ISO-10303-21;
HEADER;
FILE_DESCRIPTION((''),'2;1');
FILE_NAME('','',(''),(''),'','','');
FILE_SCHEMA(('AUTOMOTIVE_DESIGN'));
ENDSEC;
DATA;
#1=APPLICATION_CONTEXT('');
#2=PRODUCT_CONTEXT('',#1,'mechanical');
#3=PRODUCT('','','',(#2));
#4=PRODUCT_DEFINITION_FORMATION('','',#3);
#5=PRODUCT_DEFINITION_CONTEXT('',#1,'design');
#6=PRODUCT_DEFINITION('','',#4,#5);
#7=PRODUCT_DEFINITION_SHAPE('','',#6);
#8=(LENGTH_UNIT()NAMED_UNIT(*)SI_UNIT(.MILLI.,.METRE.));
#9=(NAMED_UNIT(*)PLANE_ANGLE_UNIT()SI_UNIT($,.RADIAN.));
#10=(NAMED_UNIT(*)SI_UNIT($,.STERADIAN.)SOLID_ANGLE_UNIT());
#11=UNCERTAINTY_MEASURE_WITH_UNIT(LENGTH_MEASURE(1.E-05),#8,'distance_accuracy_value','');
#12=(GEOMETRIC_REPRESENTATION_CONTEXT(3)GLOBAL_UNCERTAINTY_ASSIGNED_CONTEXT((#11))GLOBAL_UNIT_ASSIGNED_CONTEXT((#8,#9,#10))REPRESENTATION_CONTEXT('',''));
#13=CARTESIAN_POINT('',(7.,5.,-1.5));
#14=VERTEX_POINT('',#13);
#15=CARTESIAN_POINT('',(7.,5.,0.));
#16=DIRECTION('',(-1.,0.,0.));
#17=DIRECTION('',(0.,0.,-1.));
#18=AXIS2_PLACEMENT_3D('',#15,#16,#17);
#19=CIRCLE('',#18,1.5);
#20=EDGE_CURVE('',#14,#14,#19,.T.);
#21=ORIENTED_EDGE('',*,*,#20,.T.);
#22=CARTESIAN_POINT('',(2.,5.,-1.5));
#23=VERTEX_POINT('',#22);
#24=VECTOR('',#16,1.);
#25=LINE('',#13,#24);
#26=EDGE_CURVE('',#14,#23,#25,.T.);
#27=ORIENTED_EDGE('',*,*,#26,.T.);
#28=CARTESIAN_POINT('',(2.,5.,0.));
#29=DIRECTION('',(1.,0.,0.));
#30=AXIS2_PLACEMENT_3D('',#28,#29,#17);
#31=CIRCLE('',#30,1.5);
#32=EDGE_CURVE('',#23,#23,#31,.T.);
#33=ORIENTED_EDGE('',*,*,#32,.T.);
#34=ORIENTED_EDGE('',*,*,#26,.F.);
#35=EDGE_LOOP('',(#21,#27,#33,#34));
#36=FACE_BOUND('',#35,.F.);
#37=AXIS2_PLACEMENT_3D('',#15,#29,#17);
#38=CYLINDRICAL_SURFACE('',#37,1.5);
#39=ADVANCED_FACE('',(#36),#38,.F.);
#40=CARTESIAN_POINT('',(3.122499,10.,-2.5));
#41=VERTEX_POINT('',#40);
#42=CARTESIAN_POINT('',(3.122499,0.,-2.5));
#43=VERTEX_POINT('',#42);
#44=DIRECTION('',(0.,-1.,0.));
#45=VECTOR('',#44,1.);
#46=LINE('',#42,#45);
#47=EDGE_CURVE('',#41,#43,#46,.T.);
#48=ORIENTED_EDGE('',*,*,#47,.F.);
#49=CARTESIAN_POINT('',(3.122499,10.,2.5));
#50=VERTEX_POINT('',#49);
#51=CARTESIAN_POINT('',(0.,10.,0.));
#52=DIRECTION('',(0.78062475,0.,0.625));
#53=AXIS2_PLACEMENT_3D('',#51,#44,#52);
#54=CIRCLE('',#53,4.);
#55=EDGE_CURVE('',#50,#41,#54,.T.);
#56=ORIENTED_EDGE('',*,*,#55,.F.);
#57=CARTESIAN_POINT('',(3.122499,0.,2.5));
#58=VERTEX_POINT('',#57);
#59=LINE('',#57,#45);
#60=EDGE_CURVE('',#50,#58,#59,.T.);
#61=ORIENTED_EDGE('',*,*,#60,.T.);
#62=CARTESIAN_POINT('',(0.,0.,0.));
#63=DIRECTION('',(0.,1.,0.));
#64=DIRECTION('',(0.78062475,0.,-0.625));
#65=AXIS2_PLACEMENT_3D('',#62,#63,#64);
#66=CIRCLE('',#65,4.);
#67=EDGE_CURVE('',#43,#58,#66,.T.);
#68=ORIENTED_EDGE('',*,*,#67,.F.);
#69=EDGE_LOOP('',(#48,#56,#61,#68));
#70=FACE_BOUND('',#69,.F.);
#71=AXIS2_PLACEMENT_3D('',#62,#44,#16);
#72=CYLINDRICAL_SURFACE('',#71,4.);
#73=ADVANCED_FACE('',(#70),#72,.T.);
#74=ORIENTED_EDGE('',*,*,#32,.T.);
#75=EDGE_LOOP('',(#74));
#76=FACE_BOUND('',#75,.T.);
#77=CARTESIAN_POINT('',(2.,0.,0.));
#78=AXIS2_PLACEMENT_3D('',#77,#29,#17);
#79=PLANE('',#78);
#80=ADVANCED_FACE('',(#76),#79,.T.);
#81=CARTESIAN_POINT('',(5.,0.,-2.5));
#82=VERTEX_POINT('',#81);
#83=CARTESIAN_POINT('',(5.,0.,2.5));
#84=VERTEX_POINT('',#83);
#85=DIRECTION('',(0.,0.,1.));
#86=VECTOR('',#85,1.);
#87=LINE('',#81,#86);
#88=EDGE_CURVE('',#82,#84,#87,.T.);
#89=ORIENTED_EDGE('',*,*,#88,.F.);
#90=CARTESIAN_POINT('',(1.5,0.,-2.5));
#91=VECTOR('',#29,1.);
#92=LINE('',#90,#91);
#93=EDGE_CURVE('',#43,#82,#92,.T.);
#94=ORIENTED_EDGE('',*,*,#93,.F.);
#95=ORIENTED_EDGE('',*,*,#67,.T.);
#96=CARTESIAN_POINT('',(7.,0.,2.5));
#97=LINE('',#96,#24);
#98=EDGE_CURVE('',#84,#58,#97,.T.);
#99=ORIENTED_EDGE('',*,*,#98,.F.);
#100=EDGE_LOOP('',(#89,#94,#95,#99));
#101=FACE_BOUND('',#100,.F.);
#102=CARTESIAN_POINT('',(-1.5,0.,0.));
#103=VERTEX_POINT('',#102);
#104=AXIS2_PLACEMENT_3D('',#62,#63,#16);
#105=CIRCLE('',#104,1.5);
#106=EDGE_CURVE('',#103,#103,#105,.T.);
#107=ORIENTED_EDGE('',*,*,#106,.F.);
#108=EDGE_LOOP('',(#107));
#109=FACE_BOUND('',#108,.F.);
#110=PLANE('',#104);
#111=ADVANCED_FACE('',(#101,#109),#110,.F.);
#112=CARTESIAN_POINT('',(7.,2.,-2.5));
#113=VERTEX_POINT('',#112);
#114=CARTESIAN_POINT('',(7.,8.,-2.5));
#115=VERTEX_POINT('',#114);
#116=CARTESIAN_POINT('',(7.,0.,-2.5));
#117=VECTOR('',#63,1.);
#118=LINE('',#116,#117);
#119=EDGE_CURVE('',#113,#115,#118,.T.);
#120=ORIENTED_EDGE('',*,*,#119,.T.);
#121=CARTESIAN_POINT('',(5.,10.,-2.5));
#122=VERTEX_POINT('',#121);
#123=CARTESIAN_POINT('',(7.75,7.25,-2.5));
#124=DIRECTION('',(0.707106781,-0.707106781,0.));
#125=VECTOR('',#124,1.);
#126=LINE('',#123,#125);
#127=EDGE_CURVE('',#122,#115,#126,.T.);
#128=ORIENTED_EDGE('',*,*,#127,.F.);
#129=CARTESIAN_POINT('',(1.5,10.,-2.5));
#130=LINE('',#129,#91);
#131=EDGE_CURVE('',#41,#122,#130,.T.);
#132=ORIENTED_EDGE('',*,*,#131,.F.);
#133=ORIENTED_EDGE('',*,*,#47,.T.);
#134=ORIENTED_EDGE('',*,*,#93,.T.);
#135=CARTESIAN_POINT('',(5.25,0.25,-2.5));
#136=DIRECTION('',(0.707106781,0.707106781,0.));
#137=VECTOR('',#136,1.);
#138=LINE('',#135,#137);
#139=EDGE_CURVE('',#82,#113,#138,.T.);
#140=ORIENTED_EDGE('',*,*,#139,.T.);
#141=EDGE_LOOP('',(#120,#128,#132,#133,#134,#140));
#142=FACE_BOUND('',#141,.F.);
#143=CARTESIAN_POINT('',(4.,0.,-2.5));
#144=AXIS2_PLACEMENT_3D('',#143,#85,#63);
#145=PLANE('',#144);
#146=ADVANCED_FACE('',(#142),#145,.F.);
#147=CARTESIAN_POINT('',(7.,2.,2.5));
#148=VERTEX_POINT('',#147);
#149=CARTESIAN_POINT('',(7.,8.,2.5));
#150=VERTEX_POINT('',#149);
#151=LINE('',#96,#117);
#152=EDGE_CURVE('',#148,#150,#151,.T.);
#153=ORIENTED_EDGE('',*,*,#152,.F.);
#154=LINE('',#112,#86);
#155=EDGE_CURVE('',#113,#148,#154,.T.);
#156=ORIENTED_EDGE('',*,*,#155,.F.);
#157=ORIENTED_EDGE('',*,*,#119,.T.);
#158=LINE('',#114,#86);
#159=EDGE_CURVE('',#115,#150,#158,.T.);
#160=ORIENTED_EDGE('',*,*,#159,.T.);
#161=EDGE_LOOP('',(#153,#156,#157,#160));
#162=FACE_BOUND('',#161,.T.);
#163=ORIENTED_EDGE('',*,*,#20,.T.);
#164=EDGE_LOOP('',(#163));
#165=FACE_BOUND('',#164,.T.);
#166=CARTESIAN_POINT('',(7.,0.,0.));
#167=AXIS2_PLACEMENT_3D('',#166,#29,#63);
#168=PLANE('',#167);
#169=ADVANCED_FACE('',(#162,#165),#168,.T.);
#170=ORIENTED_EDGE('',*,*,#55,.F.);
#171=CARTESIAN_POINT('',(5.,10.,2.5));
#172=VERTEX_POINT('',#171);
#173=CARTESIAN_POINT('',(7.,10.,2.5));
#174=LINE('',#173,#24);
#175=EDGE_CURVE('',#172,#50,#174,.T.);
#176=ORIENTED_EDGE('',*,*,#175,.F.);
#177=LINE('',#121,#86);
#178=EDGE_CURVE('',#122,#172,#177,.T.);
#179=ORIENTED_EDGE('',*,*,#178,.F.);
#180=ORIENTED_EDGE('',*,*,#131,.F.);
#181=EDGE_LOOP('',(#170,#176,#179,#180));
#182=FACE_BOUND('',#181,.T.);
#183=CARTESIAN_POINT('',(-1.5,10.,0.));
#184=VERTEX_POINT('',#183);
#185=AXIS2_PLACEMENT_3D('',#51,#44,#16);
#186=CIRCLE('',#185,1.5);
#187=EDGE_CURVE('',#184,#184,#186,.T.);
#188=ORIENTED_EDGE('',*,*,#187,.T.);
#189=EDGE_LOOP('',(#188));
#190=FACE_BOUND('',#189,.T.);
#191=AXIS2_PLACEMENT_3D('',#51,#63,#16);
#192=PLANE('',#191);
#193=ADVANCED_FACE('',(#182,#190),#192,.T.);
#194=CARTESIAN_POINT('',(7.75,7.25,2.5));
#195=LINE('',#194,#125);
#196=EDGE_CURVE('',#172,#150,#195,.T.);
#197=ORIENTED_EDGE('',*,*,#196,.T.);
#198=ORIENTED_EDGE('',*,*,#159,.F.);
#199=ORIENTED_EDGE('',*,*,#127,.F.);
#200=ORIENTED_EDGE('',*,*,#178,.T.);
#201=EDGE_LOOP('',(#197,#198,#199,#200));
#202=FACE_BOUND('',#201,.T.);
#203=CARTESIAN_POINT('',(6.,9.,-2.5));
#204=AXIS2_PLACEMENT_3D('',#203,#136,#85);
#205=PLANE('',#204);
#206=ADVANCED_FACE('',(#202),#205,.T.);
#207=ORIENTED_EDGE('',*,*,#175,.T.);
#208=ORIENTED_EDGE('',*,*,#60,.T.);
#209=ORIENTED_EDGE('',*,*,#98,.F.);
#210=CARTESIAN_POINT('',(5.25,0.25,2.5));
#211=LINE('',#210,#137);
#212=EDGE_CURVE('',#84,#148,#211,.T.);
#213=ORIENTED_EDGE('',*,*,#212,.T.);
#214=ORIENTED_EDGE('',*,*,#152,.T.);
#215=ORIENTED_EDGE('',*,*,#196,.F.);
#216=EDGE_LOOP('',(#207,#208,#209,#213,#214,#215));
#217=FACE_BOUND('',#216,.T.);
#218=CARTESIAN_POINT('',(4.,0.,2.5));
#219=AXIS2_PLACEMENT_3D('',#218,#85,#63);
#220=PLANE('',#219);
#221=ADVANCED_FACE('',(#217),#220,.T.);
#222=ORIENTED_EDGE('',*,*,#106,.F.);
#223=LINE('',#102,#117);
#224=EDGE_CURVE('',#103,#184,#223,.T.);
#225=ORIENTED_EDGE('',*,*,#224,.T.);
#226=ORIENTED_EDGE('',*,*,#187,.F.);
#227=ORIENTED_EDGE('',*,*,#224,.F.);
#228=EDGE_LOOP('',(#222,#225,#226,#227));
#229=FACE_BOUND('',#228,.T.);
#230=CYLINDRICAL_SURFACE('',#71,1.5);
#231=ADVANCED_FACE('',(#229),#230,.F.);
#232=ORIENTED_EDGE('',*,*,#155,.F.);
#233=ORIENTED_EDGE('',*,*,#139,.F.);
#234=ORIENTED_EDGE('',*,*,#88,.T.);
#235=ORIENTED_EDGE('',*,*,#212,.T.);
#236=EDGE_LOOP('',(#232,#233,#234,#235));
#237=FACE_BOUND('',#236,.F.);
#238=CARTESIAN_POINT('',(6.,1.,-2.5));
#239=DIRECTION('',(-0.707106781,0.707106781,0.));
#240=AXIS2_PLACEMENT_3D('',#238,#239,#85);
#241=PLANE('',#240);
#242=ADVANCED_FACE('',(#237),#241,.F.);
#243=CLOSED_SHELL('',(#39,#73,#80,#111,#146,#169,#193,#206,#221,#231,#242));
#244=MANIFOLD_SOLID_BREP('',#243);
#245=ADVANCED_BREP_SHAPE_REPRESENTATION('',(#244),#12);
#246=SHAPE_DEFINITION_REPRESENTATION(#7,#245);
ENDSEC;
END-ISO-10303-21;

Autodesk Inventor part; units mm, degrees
ref_plane "XY Plane" through (0, 0, 0) normal (0, 0, 1) x (1, 0, 0)
sketch "Sketch1" plane through (0, 0, 0) normal (0, 1, 0) x (-1, 0, 0)
  circle A0 centre (0, 0) radius 4
  circle A1 centre (0, 0) radius 1.5
  dimension "d0" = 8
  dimension "d1" = 3
extrude "Extrusion1" add sketch "Sketch1" along normal blind 10
ref_plane "Work Plane1" through (4, 0, 0) normal (1, 0, 0) x (0, 1, 0)
sketch "Sketch2" plane through (4, 0, 0) normal (1, 0, 0) x (0, 1, 0)
  line L0 (0, -4) -> (10, -4) projected
  line L1 (10, -4) -> (10, 4) projected
  line L2 (0, -4) -> (10, -4)
  line L3 (10, -4) -> (10, 4)
  line L4 (10, 4) -> (0, 4)
  line L5 (0, 4) -> (0, -4)
  line L6 (0, 0) -> (0, 2.5)
  line L7 (0, -4) -> (0, 4) projected
  line L8 (0, 2.5) -> (0, -2.5)
  line L9 (0, -2.5) -> (10, -2.5)
  line L10 (0, 2.5) -> (10, 2.5)
  dimension "d5" = 2.5
  dimension "d6" = 5
extrude "Extrusion2" add sketch "Sketch2" along normal blind 3 and the other way blind 2.5 contours L5 L10 L1 L9
sketch "Sketch3" plane through (7, 0, 0) normal (1, 0, 0) x (0, 0, -1)
  line L0 (0, 0) -> (0, 10)
  line L1 (4, 10) -> (-4, 10) projected
  circle A0 centre (0, 5) radius 1.5
  point P0 (2.5, 10)
  point P1 (-2.5, 10)
  dimension "d11" = 3
extrude "Extrusion3" cut sketch "Sketch3" against normal blind 5
ref_plane "Work Plane2" through (0, 5, 0) normal (0, 1, 0) x (-1, 0, 0)
chamfer "Chamfer2" distance 2 angle 45 2 edges at (7, 10, 0) (7, 0, 0)
properties part number "joint"
